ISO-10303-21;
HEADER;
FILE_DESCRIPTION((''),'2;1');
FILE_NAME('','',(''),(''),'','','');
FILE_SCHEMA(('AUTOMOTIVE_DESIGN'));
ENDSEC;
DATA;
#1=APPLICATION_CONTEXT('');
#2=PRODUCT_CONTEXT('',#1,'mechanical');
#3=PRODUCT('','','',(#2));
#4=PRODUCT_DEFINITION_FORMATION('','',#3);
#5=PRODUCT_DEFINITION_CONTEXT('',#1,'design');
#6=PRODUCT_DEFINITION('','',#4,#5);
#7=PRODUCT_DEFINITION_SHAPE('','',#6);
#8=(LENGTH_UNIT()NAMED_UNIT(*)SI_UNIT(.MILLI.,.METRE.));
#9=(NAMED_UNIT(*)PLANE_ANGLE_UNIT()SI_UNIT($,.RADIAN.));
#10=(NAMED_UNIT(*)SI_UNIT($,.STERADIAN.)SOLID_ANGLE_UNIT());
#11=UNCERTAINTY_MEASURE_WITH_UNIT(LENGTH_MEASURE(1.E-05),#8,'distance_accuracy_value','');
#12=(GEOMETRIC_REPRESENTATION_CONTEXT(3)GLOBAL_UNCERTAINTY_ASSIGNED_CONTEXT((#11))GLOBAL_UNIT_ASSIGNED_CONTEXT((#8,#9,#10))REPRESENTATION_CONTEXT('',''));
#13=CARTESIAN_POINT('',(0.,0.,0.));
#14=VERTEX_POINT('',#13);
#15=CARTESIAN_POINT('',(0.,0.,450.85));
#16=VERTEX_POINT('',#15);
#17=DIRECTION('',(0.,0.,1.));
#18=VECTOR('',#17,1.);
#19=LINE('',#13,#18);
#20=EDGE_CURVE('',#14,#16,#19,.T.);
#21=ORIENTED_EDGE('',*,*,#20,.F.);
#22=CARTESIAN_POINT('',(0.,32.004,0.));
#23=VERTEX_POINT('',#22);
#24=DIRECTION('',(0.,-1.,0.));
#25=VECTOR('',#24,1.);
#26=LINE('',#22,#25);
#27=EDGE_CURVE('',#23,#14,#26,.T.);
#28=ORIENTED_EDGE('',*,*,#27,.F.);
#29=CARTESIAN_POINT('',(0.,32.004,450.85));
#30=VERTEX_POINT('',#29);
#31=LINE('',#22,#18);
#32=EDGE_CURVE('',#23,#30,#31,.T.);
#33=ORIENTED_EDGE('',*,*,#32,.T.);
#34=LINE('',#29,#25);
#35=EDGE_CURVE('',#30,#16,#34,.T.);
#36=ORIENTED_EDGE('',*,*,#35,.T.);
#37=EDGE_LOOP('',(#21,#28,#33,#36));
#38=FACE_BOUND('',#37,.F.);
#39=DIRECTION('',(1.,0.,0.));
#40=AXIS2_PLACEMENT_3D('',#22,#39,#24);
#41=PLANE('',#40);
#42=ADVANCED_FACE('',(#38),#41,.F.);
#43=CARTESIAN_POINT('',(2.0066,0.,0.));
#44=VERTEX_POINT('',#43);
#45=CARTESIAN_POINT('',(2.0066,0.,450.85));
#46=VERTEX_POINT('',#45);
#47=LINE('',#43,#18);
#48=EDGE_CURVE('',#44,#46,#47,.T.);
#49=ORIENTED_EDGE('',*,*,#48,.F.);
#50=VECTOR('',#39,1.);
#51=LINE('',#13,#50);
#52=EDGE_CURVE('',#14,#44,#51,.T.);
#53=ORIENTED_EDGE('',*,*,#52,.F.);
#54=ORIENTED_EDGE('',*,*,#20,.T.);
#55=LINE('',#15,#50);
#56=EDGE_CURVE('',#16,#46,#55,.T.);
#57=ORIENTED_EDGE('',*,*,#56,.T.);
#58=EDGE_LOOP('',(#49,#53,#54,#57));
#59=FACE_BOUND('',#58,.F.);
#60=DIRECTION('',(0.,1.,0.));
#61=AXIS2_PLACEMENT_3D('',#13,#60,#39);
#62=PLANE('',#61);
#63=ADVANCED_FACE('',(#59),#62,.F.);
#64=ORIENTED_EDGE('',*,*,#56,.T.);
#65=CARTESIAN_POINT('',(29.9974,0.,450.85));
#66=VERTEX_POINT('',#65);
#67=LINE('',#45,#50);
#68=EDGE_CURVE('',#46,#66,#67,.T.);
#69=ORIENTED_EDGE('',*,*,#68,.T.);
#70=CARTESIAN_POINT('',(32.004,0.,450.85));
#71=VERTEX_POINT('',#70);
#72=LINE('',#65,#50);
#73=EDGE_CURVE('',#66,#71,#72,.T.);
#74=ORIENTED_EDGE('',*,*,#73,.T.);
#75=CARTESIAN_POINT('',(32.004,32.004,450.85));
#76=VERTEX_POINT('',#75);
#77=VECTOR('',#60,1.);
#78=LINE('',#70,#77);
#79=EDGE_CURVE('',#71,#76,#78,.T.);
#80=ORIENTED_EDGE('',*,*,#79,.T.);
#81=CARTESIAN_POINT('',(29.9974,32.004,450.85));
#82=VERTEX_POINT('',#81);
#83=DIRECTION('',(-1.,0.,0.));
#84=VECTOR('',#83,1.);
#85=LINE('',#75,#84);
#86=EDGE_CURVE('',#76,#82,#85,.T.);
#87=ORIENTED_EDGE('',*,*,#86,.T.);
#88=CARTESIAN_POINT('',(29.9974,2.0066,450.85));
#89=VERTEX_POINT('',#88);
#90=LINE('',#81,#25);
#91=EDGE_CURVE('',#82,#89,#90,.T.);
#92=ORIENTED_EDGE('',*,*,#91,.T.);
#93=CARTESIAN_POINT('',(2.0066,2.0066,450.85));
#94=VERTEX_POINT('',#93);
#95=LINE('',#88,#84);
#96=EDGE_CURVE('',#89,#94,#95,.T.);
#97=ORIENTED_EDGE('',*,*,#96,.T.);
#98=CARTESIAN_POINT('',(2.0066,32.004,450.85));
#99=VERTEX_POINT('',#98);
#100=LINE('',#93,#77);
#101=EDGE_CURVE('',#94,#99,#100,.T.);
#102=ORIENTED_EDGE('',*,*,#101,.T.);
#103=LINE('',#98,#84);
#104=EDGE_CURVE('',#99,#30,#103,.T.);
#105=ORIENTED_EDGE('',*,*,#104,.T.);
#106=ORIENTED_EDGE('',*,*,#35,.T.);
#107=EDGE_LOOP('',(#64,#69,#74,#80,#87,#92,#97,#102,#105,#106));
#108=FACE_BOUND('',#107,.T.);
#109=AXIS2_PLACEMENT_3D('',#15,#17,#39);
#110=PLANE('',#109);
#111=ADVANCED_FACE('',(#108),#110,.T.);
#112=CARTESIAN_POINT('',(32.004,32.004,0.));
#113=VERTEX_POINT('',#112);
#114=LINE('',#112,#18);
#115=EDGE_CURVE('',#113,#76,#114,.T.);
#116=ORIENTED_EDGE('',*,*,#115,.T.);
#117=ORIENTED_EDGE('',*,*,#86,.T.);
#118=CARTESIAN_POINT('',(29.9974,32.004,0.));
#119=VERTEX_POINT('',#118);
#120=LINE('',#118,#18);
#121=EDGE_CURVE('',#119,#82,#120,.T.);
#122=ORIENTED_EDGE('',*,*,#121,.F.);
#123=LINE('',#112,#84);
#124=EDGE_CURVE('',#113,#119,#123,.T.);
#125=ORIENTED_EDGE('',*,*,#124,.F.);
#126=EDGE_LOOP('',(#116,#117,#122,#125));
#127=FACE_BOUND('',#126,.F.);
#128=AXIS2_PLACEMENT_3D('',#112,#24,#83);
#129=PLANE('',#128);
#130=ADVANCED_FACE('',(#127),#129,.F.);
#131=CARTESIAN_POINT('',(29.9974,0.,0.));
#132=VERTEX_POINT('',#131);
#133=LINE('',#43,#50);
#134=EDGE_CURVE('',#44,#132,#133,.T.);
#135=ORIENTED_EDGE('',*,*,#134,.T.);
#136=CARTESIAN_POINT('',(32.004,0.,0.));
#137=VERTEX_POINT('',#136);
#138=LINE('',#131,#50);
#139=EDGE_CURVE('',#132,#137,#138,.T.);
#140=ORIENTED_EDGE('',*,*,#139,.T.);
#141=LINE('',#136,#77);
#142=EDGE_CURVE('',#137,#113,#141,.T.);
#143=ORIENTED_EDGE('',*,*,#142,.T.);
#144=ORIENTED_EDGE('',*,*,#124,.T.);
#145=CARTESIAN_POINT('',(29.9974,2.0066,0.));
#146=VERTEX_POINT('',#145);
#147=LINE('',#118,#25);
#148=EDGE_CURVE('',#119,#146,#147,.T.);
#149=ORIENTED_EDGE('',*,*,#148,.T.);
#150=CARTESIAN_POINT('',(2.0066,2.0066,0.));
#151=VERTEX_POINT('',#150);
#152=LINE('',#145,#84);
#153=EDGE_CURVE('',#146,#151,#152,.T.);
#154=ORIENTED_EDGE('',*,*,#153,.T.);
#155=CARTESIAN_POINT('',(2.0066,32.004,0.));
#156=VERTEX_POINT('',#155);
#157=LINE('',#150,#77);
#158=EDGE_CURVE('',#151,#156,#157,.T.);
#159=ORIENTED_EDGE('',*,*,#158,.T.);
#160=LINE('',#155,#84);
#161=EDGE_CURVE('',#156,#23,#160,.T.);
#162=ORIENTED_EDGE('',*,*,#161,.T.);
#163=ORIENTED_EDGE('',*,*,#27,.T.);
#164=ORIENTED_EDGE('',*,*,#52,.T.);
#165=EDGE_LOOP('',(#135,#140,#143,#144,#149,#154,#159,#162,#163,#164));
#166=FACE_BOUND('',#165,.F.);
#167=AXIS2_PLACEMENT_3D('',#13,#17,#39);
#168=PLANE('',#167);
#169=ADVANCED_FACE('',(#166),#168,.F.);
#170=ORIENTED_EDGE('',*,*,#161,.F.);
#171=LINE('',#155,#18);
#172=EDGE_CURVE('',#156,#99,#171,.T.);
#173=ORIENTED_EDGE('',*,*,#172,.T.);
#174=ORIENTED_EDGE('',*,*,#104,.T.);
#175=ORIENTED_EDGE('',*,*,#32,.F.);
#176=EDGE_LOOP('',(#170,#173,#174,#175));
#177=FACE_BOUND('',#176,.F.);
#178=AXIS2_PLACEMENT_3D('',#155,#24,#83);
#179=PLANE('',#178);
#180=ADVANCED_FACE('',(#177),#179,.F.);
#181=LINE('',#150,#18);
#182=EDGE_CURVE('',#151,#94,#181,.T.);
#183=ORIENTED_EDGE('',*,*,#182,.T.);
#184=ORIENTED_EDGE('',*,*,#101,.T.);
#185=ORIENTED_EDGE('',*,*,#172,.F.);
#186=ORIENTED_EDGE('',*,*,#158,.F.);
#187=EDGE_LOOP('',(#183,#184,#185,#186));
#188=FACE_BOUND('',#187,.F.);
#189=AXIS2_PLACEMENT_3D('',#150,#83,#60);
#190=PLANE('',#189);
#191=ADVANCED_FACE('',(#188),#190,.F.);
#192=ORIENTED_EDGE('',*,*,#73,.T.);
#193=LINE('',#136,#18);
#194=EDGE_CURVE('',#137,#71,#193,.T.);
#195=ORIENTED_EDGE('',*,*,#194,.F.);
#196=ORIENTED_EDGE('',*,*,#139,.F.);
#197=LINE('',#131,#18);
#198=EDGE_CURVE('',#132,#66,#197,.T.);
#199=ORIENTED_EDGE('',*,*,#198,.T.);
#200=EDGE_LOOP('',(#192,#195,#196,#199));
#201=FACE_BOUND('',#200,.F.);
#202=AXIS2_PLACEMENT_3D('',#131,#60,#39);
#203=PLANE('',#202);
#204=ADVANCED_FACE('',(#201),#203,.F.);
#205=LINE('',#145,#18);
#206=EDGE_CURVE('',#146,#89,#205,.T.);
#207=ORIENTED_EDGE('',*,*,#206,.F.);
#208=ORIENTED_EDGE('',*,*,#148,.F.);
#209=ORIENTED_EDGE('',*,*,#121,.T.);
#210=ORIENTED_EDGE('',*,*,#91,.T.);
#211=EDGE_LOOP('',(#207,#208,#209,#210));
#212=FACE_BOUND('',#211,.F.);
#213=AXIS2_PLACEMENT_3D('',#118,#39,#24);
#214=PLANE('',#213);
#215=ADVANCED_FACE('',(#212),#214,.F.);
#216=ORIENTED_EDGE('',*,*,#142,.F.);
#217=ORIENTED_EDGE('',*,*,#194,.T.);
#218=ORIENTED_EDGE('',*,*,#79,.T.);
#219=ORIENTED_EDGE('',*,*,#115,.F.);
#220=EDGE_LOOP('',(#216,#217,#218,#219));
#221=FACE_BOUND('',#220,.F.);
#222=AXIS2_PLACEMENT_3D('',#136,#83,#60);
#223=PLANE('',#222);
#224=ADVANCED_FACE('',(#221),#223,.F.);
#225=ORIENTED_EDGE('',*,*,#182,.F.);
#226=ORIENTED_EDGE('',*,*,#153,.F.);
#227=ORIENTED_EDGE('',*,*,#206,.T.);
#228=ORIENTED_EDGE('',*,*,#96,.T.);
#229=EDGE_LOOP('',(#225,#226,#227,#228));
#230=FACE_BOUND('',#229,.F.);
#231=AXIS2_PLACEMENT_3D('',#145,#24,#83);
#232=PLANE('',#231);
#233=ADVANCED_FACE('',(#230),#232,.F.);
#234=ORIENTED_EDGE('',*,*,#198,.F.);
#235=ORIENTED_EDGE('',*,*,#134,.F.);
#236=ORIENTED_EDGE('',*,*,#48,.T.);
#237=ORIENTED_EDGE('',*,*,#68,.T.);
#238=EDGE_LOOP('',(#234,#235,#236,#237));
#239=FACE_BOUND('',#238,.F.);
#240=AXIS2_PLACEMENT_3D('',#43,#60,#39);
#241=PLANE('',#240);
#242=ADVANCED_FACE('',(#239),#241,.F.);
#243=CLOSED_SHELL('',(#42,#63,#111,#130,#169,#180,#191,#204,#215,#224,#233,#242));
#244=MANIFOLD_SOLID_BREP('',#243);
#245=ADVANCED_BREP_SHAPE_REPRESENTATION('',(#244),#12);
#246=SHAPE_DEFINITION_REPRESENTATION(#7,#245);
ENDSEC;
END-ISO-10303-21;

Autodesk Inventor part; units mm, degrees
ref_plane "YZ Plane" through (0, 0, 0) normal (1, 0, 0) x (0, 1, 0)
ref_plane "XZ Plane" through (0, 0, 0) normal (0, 1, 0) x (-1, 0, 0)
ref_plane "XY Plane" through (0, 0, 0) normal (0, 0, 1) x (1, 0, 0)
sketch "Sketch1" plane through (0, 0, 0) normal (0, 0, 1) x (1, 0, 0)
  line L0 (2.0066, 32.004) -> (0, 32.004)
  line L1 (0, 32.004) -> (0, 0)
  line L2 (0, 0) -> (2.0066, 0)
  line L3 (2.0066, 2.0066) -> (2.0066, 32.004)
  line L4 (2.0066, 0) -> (29.9974, 0)
  line L5 (29.9974, 2.0066) -> (2.0066, 2.0066)
  line L6 (29.9974, 0) -> (32.004, 0)
  line L7 (32.004, 0) -> (32.004, 32.004)
  line L8 (32.004, 32.004) -> (29.9974, 32.004)
  line L9 (29.9974, 32.004) -> (29.9974, 2.0066)
  dimension "d2" = 2.0066
  dimension "d3" = 32.004
sketch "Sketch2" plane through (0, 0, 0) normal (0, 0, 1) x (1, 0, 0)
  point P0 (0, 0)
extrude "Extrusion1" add sketch "Sketch1" along normal blind 450.85
properties part number "USEsolid7"
